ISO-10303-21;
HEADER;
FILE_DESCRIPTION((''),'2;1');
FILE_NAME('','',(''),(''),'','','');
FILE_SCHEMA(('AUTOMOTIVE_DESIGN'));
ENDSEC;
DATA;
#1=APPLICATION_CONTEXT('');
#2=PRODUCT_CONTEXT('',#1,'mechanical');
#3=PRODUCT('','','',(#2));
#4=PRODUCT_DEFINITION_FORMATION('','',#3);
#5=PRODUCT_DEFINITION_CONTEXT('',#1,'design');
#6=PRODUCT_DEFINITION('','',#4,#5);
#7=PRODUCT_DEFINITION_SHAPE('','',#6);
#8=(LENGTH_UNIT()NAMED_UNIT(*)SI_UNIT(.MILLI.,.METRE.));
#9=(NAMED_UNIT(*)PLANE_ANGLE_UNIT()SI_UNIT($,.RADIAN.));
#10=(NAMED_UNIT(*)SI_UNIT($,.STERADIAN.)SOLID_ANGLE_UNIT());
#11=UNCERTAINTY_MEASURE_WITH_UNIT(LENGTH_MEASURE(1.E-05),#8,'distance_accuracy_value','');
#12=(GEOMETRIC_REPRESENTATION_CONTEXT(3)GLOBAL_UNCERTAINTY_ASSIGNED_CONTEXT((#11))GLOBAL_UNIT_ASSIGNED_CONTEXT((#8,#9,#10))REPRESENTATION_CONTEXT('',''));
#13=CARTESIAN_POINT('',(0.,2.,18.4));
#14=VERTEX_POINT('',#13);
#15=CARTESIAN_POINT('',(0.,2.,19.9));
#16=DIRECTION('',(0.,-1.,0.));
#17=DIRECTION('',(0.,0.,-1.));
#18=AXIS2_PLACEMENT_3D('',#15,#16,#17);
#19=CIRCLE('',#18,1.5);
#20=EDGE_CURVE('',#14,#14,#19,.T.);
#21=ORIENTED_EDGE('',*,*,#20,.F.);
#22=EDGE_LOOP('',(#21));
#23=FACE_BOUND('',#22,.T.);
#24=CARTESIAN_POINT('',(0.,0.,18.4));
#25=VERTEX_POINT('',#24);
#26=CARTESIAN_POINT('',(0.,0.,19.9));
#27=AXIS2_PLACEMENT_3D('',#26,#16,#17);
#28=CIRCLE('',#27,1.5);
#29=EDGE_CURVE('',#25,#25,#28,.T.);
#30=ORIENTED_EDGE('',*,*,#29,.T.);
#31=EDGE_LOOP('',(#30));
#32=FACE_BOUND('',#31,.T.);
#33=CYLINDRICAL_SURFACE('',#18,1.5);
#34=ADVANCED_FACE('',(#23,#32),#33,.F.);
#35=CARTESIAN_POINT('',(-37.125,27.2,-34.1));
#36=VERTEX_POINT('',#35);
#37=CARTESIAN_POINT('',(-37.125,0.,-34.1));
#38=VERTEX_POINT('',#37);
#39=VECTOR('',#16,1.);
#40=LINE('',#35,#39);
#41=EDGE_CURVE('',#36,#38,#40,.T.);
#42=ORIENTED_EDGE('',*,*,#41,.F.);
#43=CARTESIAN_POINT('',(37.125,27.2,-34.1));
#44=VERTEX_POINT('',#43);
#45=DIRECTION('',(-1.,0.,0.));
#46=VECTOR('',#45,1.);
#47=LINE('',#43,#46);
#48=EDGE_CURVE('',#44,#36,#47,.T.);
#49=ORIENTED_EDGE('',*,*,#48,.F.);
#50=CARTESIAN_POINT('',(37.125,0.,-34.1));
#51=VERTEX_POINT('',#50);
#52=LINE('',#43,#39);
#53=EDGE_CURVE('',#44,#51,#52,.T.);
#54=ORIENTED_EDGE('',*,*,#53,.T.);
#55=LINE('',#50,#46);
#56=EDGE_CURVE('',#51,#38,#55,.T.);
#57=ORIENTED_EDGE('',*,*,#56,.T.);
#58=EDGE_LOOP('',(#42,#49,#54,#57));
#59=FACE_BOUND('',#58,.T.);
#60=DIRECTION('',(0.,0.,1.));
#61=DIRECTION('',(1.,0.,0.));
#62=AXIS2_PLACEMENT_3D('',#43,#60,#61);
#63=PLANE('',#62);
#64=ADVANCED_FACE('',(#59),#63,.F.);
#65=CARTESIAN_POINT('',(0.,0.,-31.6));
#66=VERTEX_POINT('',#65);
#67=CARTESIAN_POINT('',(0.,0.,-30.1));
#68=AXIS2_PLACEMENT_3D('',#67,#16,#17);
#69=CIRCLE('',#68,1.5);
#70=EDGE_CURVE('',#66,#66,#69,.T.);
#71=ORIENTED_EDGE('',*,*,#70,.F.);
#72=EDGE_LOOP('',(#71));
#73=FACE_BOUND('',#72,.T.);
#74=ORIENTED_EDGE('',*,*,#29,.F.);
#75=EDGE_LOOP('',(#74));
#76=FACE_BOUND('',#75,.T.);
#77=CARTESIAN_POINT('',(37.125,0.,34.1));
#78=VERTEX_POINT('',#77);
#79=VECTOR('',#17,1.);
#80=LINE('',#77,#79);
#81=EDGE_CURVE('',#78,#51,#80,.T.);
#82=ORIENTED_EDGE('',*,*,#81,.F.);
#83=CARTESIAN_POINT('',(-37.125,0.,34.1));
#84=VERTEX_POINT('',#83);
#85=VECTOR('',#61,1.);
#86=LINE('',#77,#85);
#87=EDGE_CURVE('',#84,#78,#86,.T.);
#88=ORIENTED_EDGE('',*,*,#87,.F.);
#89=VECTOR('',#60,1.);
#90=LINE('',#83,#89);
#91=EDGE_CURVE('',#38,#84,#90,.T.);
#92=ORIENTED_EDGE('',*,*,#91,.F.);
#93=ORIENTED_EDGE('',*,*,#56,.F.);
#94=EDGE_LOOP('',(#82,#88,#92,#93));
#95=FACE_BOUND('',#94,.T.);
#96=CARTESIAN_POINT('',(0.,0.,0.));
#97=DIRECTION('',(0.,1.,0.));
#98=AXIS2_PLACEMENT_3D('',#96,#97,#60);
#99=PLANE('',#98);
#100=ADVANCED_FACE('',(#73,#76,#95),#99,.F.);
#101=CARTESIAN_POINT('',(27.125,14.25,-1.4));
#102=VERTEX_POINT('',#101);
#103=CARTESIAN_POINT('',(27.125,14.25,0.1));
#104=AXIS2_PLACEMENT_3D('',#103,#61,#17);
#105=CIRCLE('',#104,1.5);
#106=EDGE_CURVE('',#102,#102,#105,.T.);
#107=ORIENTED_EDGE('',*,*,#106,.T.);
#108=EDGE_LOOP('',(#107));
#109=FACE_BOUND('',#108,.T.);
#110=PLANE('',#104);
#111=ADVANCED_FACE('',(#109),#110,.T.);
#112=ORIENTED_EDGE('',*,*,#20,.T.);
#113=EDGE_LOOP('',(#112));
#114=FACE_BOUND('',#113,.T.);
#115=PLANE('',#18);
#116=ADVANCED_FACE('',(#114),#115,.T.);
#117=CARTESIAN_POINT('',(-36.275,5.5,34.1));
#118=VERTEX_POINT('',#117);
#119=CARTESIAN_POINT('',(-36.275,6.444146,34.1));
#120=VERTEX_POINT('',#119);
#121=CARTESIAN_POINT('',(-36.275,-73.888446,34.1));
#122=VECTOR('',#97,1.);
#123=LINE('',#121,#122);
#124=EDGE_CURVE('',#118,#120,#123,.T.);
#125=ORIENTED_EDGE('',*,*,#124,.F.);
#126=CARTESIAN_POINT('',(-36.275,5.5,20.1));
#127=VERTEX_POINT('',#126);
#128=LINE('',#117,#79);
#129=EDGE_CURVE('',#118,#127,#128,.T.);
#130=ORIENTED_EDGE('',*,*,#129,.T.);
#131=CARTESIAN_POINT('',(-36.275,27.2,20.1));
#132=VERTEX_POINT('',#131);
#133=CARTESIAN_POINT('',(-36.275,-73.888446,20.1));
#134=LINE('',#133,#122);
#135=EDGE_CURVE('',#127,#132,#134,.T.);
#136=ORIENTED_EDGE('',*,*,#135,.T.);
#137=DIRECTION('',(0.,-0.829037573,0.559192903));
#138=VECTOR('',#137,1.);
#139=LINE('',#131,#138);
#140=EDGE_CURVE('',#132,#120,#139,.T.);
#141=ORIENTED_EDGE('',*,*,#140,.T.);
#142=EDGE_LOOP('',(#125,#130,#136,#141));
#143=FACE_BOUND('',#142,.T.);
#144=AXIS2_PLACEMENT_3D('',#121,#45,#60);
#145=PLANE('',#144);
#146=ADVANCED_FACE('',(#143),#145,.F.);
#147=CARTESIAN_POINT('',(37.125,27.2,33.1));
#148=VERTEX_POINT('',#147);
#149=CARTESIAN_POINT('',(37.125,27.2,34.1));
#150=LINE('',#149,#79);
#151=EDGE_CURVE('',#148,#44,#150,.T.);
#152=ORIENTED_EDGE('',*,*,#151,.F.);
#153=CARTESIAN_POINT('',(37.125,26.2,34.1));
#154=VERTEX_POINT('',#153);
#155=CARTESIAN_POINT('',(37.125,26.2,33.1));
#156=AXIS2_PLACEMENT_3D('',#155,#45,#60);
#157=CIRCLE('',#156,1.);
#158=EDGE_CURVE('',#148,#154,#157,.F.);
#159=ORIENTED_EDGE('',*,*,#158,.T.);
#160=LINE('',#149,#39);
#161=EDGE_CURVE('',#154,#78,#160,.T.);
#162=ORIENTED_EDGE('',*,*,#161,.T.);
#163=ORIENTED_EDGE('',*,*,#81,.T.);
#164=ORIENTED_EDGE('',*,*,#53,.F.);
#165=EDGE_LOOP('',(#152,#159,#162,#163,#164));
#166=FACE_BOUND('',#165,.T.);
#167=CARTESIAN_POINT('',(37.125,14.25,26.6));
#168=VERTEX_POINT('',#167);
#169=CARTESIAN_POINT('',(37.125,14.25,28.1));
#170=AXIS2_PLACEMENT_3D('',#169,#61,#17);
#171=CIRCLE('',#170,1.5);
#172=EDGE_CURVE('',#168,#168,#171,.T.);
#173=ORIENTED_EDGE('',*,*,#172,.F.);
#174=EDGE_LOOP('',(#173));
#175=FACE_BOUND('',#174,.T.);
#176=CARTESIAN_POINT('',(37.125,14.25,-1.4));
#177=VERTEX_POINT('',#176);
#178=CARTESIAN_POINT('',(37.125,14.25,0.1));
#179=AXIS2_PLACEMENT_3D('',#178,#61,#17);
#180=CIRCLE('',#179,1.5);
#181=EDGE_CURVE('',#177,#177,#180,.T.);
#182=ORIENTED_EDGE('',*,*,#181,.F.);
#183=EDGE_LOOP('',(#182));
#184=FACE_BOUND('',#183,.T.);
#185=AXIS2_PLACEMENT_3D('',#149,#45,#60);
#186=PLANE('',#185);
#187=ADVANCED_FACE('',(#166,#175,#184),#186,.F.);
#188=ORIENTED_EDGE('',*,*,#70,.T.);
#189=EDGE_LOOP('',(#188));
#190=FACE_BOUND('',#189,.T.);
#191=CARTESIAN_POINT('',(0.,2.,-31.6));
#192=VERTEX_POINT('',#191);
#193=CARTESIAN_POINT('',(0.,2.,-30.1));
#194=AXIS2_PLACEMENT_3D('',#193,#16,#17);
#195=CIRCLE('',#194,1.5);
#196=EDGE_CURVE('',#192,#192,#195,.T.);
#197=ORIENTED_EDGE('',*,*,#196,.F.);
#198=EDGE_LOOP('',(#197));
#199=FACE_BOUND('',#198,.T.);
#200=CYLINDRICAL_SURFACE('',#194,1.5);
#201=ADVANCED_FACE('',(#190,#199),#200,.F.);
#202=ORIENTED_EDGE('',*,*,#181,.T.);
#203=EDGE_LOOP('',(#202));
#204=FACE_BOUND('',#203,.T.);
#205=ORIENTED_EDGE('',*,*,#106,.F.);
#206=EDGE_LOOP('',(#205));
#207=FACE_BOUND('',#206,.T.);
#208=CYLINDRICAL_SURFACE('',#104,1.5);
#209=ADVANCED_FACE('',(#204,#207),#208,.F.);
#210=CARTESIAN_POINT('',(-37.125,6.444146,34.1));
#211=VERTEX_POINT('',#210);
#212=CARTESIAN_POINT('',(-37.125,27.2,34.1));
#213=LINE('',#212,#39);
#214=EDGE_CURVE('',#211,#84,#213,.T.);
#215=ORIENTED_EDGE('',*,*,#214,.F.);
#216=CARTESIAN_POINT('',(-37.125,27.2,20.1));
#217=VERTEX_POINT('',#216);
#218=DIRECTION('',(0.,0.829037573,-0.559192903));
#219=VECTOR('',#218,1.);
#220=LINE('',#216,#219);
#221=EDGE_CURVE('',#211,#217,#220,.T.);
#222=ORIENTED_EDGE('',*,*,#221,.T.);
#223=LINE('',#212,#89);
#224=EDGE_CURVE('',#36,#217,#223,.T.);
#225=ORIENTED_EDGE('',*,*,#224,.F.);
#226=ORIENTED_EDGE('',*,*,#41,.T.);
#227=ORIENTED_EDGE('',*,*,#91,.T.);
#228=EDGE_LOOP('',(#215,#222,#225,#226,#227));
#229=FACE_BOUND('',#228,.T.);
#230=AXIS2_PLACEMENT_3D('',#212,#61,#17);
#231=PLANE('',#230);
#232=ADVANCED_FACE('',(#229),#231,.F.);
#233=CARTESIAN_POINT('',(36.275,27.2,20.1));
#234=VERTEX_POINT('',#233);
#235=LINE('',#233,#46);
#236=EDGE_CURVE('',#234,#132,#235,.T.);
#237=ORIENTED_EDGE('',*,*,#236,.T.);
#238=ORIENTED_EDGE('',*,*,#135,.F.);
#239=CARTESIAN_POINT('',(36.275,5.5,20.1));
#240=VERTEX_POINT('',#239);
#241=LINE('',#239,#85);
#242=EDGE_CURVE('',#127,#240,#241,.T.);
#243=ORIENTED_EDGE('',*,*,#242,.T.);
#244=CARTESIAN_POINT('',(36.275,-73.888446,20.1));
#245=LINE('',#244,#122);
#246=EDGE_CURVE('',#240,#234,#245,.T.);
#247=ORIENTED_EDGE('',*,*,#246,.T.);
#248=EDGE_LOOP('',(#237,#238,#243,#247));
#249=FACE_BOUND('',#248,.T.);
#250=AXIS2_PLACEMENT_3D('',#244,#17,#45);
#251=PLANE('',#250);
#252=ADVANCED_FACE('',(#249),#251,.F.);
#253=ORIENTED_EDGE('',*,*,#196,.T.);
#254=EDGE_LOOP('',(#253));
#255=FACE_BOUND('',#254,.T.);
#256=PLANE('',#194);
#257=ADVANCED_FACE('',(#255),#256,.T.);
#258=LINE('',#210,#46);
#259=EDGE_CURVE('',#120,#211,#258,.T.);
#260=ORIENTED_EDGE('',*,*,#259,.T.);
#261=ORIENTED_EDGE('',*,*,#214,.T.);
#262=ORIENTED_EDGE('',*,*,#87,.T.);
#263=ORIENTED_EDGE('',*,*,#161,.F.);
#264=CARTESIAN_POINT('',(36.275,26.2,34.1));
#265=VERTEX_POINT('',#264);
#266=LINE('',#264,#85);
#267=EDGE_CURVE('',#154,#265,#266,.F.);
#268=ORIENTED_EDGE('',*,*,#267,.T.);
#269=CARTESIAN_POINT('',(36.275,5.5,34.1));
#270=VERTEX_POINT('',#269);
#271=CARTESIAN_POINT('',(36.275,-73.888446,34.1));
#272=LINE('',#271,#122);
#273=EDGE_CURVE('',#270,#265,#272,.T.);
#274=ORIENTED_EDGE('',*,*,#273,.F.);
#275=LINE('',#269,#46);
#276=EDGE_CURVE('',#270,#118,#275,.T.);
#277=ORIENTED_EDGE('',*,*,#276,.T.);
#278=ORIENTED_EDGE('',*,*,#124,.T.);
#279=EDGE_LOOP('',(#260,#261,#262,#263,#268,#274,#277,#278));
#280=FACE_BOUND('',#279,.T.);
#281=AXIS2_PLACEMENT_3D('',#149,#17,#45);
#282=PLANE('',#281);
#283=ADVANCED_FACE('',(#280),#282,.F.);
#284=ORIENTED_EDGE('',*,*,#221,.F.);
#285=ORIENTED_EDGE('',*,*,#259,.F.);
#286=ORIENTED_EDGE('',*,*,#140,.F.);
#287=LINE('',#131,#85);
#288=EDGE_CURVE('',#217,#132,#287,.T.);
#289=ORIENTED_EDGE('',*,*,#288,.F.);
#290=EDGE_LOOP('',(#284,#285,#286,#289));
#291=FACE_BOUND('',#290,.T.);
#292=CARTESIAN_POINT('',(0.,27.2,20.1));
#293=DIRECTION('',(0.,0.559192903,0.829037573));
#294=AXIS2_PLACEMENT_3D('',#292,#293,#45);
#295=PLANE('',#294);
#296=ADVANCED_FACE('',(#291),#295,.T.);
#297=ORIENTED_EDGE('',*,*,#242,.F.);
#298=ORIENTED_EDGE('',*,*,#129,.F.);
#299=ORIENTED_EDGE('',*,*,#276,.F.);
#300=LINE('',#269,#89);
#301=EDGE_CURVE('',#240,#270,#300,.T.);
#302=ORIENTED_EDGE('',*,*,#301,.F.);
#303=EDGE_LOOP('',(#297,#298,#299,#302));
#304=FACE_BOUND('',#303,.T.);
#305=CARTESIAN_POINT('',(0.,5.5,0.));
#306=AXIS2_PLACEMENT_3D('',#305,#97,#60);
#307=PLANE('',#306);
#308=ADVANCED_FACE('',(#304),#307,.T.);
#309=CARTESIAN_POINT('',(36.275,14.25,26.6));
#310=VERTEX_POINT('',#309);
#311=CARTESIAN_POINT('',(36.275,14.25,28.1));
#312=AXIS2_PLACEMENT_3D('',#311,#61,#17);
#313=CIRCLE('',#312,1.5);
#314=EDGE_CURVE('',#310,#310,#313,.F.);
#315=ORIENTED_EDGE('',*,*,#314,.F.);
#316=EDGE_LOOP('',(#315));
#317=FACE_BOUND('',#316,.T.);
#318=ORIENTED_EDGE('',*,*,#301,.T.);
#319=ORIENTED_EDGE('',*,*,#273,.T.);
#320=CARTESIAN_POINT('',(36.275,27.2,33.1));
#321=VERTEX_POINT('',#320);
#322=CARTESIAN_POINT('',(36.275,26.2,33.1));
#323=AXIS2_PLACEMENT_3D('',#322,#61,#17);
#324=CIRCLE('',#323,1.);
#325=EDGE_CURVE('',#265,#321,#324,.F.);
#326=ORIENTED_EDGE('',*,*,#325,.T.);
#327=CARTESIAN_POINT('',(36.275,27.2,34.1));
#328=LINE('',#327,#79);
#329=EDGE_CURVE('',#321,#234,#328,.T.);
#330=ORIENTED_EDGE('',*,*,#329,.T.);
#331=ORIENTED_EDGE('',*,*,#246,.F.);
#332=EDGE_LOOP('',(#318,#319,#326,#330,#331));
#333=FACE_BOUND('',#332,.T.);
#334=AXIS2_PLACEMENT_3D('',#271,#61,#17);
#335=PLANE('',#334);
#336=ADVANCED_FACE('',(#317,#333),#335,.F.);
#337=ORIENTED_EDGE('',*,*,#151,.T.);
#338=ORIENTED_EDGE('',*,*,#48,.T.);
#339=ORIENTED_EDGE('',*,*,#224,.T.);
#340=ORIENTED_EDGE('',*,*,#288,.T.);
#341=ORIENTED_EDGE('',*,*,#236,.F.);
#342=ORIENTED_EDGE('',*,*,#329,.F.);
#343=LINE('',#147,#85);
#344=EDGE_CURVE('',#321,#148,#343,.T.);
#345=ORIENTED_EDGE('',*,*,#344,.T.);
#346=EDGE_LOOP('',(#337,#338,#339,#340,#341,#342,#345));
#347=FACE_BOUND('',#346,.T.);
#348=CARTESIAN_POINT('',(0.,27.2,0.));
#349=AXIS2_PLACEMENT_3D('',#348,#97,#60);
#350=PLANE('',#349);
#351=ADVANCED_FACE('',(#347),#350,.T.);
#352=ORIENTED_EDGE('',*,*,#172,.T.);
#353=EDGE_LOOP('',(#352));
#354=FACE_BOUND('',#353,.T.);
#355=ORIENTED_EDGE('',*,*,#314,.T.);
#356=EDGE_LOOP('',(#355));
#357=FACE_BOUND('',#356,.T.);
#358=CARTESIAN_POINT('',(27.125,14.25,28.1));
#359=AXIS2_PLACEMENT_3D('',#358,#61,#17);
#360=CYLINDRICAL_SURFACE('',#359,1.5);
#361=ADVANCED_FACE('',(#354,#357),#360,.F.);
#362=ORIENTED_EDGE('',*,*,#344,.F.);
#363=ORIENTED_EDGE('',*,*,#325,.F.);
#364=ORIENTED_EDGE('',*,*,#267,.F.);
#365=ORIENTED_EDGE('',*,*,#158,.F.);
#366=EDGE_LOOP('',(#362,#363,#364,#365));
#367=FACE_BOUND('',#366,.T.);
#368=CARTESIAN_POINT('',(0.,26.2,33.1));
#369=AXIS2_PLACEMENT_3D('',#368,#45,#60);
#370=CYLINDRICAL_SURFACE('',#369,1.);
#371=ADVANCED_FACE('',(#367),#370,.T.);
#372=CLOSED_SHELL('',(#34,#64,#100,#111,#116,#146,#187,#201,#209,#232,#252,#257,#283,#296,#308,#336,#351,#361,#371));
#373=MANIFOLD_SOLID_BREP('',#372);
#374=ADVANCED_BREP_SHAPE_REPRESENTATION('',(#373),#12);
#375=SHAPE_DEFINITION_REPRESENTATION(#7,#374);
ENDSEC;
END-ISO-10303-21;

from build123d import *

# Parameters (mm, degrees)
SKETCH1_W           = 74.25
SKETCH1_H           = 68.2
BOSS_EXTRUDE1_DEPTH = 27.2
SKETCH2_R           = 1.5
CUT_EXTRUDE1_DEPTH  = 10
SKETCH3_W           = 72.55
SKETCH3_H           = 14
CUT_EXTRUDE2_DEPTH  = 21.7
CHAMFER1_SIZE       = 14
CHAMFER1_SIZE2      = 20.755853559
FILLET1_R           = 1
SKETCH4_R           = 1.5
CUT_EXTRUDE3_DEPTH  = 2


with BuildPart() as part:
    # Sketch1 → Boss-Extrude1 (new body)
    with BuildSketch(Plane(origin=(0, 0, 0), x_dir=(1, 0, 0), z_dir=(0, 1, 0))):
        Rectangle(SKETCH1_W, SKETCH1_H)
    extrude(amount=BOSS_EXTRUDE1_DEPTH)

    # Sketch2 → Cut-Extrude1 (cut)
    with BuildSketch(Plane(origin=(37.125, 0, 0), x_dir=(0, 0, -1), z_dir=(1, 0, 0))):
        with Locations((-28.1, 14.25)):
            Circle(SKETCH2_R)
        with Locations((-0.1, 14.25)):
            Circle(SKETCH2_R)
    extrude(amount=-CUT_EXTRUDE1_DEPTH, mode=Mode.SUBTRACT)

    # Sketch3 → Cut-Extrude2 (cut)
    with BuildSketch(Plane(origin=(0, 27.2, 0), x_dir=(1, 0, 0), z_dir=(0, 1, 0))):
        with Locations((0, -27.1)):
            Rectangle(SKETCH3_W, SKETCH3_H)
    extrude(amount=-CUT_EXTRUDE2_DEPTH, mode=Mode.SUBTRACT)

    # Chamfer1
    chamfer1_edges = [part.edges().sort_by_distance(p)[0] for p in [
        (-36.7, 27.2, 34.1),
    ]]
    chamfer1_side = [part.faces().sort_by_distance(p)[0] for p in [
        (0, 27.2, -6.799518298),
    ]]
    chamfer(chamfer1_edges, length=CHAMFER1_SIZE, length2=CHAMFER1_SIZE2, reference=chamfer1_side[0])

    # Fillet1
    fillet1_edges = [part.edges().sort_by_distance(p)[0] for p in [
        (36.7, 27.2, 34.1),
    ]]
    fillet(fillet1_edges, radius=FILLET1_R)

    # Sketch4 → Cut-Extrude3 (cut)
    with BuildSketch(Plane.XZ):
        with Locations(Location((0, -30.1, 0), (0, 0, 270))):
            Circle(SKETCH4_R)
        with Locations(Location((0, 19.9, 0), (0, 0, 270))):
            Circle(SKETCH4_R)
    extrude(amount=-CUT_EXTRUDE3_DEPTH, mode=Mode.SUBTRACT)


solid = part.part
